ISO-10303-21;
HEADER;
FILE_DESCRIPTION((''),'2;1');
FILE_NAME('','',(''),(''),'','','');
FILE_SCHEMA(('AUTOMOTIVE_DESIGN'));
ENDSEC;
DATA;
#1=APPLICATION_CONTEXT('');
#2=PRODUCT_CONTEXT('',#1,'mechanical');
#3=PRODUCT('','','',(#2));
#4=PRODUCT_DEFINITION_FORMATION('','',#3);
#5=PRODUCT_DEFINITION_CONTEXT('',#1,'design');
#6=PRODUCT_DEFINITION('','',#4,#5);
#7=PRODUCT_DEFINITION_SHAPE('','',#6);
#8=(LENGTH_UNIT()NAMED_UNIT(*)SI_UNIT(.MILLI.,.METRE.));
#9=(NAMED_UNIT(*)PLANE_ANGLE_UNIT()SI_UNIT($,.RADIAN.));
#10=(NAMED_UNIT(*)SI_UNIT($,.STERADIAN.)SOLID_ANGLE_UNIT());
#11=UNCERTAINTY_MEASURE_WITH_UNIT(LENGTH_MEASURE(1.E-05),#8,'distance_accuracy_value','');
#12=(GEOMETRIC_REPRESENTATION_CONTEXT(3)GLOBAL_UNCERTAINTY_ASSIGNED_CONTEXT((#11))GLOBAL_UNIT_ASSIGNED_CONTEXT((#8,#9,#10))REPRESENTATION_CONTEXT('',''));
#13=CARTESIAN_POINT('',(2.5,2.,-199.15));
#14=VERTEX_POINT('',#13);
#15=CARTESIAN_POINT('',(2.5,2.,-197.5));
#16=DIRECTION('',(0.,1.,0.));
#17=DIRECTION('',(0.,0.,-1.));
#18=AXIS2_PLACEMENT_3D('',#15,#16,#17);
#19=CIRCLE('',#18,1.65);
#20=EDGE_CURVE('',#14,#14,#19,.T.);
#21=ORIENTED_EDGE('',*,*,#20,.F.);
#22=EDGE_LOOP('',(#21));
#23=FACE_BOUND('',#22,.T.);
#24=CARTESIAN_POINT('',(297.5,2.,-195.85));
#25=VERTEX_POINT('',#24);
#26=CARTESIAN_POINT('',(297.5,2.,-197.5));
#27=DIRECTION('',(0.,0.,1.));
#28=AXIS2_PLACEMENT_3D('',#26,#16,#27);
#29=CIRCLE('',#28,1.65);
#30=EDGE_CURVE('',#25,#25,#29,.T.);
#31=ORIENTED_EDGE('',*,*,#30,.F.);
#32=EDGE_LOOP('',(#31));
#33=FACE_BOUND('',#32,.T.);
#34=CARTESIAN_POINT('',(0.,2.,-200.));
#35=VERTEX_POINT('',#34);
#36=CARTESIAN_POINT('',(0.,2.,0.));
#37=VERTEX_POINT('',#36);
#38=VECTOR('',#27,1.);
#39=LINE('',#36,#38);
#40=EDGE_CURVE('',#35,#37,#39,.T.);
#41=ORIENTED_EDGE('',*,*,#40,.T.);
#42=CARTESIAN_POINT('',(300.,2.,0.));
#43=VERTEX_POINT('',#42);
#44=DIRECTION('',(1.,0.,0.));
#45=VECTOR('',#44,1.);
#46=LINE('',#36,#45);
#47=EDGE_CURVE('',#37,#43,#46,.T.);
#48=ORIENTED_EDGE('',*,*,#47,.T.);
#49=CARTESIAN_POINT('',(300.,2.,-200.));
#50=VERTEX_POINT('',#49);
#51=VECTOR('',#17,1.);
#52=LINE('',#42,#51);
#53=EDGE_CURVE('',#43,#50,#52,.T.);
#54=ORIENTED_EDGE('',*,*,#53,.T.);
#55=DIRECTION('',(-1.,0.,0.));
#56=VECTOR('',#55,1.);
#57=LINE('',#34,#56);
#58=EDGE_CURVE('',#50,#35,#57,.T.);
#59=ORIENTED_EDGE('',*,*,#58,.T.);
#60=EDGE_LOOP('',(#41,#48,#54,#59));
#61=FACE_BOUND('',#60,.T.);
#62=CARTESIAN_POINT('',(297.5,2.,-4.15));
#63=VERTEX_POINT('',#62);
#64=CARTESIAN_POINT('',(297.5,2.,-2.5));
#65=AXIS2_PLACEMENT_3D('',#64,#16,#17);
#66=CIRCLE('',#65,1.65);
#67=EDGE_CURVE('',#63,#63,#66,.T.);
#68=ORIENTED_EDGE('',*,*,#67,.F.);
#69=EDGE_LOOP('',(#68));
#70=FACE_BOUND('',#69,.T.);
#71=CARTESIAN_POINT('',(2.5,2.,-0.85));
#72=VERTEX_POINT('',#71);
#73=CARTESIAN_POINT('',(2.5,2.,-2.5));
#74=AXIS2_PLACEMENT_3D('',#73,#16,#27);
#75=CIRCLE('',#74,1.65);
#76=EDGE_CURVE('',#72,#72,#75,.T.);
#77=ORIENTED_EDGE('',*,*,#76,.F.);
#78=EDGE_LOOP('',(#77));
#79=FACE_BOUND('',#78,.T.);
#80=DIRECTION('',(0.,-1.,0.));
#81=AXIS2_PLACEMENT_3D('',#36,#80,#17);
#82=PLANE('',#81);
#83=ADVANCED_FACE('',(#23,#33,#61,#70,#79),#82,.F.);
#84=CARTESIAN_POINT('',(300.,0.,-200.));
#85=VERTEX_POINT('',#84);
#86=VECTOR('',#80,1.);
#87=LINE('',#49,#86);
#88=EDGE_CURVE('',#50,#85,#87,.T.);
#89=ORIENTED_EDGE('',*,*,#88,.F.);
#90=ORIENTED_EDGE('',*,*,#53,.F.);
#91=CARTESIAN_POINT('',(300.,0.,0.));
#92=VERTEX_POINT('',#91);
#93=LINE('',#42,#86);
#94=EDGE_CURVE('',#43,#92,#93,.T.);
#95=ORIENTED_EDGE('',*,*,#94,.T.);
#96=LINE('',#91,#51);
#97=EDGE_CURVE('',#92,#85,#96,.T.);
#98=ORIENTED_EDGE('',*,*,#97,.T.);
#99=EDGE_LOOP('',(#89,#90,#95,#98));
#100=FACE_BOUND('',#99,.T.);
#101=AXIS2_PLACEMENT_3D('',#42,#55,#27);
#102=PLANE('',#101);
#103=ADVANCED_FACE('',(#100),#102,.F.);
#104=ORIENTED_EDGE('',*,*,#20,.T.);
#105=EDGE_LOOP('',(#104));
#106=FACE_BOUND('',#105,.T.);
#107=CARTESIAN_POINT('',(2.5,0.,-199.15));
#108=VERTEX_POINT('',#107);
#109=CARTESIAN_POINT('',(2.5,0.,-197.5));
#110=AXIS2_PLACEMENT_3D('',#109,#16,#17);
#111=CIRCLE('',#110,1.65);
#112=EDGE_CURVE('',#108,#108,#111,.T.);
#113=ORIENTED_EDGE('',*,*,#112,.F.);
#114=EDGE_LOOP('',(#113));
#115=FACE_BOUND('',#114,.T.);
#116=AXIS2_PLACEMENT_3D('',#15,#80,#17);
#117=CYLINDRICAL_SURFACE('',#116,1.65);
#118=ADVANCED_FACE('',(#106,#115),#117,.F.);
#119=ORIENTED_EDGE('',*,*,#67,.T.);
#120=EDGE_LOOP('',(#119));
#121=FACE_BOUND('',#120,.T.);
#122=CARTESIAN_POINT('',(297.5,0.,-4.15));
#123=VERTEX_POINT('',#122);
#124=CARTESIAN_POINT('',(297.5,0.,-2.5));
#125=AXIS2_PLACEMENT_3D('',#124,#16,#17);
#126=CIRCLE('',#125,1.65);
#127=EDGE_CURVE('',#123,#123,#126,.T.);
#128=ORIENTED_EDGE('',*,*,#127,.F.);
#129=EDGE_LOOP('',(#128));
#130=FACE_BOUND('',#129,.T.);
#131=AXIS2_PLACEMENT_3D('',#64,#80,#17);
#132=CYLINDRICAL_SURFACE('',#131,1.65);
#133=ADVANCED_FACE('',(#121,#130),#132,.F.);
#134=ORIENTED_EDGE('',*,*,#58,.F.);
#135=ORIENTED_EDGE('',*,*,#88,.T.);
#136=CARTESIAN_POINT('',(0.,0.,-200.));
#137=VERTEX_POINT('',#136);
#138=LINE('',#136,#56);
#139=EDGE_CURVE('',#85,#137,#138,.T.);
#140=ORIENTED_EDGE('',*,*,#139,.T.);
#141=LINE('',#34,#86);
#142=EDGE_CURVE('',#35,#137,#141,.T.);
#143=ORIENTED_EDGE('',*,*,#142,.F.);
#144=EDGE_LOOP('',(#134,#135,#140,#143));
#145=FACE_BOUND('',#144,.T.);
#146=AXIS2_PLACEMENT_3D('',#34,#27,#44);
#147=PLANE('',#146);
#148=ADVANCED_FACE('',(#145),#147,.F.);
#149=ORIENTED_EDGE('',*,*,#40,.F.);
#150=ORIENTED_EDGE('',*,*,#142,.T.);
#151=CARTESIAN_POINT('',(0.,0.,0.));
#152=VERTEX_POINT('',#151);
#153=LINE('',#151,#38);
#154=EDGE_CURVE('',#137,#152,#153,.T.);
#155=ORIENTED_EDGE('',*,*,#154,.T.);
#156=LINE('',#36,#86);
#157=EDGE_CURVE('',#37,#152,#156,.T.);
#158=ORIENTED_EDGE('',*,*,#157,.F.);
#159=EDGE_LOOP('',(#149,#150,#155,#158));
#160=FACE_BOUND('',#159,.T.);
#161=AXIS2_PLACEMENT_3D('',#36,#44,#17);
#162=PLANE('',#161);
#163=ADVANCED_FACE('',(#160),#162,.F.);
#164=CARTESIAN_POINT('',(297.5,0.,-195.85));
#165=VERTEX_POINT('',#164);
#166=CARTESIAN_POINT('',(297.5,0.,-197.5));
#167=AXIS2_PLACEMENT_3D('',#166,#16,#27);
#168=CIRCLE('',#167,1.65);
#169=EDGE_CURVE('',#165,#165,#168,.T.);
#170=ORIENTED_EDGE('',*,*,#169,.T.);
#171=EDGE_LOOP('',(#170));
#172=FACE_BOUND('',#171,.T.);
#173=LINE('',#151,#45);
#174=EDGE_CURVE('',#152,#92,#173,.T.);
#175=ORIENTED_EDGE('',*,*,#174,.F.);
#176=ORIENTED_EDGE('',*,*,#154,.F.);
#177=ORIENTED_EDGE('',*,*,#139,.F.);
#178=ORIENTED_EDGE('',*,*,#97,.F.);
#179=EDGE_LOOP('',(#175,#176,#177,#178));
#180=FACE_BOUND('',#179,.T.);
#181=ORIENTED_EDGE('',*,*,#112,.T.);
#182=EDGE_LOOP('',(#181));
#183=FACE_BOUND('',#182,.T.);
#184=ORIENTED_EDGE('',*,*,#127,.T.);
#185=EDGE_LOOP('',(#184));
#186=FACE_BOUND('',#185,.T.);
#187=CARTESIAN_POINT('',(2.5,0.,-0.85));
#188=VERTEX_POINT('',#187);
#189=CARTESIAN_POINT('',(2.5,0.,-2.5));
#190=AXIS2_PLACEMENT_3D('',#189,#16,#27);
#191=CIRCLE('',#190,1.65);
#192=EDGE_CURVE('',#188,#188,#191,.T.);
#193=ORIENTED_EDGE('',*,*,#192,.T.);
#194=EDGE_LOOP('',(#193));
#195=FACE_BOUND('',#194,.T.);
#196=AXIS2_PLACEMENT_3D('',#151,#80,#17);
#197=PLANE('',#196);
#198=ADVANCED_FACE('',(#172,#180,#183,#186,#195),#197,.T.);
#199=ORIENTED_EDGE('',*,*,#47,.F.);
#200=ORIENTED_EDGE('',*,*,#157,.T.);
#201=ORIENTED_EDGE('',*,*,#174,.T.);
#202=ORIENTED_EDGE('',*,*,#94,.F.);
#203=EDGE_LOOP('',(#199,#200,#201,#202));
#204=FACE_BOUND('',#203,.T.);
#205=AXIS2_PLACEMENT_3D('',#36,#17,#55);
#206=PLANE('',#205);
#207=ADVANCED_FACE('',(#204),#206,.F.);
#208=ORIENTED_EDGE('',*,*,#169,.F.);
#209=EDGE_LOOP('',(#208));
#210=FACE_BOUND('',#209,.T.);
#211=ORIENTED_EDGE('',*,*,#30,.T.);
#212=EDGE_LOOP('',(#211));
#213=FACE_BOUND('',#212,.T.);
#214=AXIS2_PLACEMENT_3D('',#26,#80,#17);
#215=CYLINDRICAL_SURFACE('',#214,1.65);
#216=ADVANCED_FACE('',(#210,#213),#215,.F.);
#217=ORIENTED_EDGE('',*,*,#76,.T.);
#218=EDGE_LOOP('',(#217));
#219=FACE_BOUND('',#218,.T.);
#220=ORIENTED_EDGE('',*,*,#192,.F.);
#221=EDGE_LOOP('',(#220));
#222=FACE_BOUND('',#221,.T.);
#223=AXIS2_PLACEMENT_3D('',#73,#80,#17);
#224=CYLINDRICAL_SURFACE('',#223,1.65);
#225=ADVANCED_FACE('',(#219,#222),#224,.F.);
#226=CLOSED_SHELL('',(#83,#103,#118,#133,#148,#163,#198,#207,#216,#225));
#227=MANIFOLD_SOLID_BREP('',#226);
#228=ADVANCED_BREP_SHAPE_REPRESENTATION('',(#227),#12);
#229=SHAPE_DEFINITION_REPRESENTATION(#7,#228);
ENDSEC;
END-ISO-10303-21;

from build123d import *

# Parameters (mm, degrees)
SKETCH1_W           = 300
SKETCH1_H           = 200
SKETCH1_R           = 1.65
BOSS_EXTRUDE1_DEPTH = 2


with BuildPart() as part:
    # Sketch1 → Boss-Extrude1 (new body)
    with BuildSketch(Plane(origin=(0, 0, 0), x_dir=(1, 0, 0), z_dir=(0, 1, 0))):
        with Locations((150, 100)):
            Rectangle(SKETCH1_W, SKETCH1_H)
        with Locations(Location((2.5, 2.5, 0), (0, 0, 270))):
            Circle(SKETCH1_R, mode=Mode.SUBTRACT)
        with Locations(Location((297.5, 2.5, 0), (0, 0, 90))):
            Circle(SKETCH1_R, mode=Mode.SUBTRACT)
        with Locations(Location((297.5, 197.5, 0), (0, 0, 270))):
            Circle(SKETCH1_R, mode=Mode.SUBTRACT)
        with Locations(Location((2.5, 197.5, 0), (0, 0, 90))):
            Circle(SKETCH1_R, mode=Mode.SUBTRACT)
    extrude(amount=BOSS_EXTRUDE1_DEPTH)


solid = part.part
